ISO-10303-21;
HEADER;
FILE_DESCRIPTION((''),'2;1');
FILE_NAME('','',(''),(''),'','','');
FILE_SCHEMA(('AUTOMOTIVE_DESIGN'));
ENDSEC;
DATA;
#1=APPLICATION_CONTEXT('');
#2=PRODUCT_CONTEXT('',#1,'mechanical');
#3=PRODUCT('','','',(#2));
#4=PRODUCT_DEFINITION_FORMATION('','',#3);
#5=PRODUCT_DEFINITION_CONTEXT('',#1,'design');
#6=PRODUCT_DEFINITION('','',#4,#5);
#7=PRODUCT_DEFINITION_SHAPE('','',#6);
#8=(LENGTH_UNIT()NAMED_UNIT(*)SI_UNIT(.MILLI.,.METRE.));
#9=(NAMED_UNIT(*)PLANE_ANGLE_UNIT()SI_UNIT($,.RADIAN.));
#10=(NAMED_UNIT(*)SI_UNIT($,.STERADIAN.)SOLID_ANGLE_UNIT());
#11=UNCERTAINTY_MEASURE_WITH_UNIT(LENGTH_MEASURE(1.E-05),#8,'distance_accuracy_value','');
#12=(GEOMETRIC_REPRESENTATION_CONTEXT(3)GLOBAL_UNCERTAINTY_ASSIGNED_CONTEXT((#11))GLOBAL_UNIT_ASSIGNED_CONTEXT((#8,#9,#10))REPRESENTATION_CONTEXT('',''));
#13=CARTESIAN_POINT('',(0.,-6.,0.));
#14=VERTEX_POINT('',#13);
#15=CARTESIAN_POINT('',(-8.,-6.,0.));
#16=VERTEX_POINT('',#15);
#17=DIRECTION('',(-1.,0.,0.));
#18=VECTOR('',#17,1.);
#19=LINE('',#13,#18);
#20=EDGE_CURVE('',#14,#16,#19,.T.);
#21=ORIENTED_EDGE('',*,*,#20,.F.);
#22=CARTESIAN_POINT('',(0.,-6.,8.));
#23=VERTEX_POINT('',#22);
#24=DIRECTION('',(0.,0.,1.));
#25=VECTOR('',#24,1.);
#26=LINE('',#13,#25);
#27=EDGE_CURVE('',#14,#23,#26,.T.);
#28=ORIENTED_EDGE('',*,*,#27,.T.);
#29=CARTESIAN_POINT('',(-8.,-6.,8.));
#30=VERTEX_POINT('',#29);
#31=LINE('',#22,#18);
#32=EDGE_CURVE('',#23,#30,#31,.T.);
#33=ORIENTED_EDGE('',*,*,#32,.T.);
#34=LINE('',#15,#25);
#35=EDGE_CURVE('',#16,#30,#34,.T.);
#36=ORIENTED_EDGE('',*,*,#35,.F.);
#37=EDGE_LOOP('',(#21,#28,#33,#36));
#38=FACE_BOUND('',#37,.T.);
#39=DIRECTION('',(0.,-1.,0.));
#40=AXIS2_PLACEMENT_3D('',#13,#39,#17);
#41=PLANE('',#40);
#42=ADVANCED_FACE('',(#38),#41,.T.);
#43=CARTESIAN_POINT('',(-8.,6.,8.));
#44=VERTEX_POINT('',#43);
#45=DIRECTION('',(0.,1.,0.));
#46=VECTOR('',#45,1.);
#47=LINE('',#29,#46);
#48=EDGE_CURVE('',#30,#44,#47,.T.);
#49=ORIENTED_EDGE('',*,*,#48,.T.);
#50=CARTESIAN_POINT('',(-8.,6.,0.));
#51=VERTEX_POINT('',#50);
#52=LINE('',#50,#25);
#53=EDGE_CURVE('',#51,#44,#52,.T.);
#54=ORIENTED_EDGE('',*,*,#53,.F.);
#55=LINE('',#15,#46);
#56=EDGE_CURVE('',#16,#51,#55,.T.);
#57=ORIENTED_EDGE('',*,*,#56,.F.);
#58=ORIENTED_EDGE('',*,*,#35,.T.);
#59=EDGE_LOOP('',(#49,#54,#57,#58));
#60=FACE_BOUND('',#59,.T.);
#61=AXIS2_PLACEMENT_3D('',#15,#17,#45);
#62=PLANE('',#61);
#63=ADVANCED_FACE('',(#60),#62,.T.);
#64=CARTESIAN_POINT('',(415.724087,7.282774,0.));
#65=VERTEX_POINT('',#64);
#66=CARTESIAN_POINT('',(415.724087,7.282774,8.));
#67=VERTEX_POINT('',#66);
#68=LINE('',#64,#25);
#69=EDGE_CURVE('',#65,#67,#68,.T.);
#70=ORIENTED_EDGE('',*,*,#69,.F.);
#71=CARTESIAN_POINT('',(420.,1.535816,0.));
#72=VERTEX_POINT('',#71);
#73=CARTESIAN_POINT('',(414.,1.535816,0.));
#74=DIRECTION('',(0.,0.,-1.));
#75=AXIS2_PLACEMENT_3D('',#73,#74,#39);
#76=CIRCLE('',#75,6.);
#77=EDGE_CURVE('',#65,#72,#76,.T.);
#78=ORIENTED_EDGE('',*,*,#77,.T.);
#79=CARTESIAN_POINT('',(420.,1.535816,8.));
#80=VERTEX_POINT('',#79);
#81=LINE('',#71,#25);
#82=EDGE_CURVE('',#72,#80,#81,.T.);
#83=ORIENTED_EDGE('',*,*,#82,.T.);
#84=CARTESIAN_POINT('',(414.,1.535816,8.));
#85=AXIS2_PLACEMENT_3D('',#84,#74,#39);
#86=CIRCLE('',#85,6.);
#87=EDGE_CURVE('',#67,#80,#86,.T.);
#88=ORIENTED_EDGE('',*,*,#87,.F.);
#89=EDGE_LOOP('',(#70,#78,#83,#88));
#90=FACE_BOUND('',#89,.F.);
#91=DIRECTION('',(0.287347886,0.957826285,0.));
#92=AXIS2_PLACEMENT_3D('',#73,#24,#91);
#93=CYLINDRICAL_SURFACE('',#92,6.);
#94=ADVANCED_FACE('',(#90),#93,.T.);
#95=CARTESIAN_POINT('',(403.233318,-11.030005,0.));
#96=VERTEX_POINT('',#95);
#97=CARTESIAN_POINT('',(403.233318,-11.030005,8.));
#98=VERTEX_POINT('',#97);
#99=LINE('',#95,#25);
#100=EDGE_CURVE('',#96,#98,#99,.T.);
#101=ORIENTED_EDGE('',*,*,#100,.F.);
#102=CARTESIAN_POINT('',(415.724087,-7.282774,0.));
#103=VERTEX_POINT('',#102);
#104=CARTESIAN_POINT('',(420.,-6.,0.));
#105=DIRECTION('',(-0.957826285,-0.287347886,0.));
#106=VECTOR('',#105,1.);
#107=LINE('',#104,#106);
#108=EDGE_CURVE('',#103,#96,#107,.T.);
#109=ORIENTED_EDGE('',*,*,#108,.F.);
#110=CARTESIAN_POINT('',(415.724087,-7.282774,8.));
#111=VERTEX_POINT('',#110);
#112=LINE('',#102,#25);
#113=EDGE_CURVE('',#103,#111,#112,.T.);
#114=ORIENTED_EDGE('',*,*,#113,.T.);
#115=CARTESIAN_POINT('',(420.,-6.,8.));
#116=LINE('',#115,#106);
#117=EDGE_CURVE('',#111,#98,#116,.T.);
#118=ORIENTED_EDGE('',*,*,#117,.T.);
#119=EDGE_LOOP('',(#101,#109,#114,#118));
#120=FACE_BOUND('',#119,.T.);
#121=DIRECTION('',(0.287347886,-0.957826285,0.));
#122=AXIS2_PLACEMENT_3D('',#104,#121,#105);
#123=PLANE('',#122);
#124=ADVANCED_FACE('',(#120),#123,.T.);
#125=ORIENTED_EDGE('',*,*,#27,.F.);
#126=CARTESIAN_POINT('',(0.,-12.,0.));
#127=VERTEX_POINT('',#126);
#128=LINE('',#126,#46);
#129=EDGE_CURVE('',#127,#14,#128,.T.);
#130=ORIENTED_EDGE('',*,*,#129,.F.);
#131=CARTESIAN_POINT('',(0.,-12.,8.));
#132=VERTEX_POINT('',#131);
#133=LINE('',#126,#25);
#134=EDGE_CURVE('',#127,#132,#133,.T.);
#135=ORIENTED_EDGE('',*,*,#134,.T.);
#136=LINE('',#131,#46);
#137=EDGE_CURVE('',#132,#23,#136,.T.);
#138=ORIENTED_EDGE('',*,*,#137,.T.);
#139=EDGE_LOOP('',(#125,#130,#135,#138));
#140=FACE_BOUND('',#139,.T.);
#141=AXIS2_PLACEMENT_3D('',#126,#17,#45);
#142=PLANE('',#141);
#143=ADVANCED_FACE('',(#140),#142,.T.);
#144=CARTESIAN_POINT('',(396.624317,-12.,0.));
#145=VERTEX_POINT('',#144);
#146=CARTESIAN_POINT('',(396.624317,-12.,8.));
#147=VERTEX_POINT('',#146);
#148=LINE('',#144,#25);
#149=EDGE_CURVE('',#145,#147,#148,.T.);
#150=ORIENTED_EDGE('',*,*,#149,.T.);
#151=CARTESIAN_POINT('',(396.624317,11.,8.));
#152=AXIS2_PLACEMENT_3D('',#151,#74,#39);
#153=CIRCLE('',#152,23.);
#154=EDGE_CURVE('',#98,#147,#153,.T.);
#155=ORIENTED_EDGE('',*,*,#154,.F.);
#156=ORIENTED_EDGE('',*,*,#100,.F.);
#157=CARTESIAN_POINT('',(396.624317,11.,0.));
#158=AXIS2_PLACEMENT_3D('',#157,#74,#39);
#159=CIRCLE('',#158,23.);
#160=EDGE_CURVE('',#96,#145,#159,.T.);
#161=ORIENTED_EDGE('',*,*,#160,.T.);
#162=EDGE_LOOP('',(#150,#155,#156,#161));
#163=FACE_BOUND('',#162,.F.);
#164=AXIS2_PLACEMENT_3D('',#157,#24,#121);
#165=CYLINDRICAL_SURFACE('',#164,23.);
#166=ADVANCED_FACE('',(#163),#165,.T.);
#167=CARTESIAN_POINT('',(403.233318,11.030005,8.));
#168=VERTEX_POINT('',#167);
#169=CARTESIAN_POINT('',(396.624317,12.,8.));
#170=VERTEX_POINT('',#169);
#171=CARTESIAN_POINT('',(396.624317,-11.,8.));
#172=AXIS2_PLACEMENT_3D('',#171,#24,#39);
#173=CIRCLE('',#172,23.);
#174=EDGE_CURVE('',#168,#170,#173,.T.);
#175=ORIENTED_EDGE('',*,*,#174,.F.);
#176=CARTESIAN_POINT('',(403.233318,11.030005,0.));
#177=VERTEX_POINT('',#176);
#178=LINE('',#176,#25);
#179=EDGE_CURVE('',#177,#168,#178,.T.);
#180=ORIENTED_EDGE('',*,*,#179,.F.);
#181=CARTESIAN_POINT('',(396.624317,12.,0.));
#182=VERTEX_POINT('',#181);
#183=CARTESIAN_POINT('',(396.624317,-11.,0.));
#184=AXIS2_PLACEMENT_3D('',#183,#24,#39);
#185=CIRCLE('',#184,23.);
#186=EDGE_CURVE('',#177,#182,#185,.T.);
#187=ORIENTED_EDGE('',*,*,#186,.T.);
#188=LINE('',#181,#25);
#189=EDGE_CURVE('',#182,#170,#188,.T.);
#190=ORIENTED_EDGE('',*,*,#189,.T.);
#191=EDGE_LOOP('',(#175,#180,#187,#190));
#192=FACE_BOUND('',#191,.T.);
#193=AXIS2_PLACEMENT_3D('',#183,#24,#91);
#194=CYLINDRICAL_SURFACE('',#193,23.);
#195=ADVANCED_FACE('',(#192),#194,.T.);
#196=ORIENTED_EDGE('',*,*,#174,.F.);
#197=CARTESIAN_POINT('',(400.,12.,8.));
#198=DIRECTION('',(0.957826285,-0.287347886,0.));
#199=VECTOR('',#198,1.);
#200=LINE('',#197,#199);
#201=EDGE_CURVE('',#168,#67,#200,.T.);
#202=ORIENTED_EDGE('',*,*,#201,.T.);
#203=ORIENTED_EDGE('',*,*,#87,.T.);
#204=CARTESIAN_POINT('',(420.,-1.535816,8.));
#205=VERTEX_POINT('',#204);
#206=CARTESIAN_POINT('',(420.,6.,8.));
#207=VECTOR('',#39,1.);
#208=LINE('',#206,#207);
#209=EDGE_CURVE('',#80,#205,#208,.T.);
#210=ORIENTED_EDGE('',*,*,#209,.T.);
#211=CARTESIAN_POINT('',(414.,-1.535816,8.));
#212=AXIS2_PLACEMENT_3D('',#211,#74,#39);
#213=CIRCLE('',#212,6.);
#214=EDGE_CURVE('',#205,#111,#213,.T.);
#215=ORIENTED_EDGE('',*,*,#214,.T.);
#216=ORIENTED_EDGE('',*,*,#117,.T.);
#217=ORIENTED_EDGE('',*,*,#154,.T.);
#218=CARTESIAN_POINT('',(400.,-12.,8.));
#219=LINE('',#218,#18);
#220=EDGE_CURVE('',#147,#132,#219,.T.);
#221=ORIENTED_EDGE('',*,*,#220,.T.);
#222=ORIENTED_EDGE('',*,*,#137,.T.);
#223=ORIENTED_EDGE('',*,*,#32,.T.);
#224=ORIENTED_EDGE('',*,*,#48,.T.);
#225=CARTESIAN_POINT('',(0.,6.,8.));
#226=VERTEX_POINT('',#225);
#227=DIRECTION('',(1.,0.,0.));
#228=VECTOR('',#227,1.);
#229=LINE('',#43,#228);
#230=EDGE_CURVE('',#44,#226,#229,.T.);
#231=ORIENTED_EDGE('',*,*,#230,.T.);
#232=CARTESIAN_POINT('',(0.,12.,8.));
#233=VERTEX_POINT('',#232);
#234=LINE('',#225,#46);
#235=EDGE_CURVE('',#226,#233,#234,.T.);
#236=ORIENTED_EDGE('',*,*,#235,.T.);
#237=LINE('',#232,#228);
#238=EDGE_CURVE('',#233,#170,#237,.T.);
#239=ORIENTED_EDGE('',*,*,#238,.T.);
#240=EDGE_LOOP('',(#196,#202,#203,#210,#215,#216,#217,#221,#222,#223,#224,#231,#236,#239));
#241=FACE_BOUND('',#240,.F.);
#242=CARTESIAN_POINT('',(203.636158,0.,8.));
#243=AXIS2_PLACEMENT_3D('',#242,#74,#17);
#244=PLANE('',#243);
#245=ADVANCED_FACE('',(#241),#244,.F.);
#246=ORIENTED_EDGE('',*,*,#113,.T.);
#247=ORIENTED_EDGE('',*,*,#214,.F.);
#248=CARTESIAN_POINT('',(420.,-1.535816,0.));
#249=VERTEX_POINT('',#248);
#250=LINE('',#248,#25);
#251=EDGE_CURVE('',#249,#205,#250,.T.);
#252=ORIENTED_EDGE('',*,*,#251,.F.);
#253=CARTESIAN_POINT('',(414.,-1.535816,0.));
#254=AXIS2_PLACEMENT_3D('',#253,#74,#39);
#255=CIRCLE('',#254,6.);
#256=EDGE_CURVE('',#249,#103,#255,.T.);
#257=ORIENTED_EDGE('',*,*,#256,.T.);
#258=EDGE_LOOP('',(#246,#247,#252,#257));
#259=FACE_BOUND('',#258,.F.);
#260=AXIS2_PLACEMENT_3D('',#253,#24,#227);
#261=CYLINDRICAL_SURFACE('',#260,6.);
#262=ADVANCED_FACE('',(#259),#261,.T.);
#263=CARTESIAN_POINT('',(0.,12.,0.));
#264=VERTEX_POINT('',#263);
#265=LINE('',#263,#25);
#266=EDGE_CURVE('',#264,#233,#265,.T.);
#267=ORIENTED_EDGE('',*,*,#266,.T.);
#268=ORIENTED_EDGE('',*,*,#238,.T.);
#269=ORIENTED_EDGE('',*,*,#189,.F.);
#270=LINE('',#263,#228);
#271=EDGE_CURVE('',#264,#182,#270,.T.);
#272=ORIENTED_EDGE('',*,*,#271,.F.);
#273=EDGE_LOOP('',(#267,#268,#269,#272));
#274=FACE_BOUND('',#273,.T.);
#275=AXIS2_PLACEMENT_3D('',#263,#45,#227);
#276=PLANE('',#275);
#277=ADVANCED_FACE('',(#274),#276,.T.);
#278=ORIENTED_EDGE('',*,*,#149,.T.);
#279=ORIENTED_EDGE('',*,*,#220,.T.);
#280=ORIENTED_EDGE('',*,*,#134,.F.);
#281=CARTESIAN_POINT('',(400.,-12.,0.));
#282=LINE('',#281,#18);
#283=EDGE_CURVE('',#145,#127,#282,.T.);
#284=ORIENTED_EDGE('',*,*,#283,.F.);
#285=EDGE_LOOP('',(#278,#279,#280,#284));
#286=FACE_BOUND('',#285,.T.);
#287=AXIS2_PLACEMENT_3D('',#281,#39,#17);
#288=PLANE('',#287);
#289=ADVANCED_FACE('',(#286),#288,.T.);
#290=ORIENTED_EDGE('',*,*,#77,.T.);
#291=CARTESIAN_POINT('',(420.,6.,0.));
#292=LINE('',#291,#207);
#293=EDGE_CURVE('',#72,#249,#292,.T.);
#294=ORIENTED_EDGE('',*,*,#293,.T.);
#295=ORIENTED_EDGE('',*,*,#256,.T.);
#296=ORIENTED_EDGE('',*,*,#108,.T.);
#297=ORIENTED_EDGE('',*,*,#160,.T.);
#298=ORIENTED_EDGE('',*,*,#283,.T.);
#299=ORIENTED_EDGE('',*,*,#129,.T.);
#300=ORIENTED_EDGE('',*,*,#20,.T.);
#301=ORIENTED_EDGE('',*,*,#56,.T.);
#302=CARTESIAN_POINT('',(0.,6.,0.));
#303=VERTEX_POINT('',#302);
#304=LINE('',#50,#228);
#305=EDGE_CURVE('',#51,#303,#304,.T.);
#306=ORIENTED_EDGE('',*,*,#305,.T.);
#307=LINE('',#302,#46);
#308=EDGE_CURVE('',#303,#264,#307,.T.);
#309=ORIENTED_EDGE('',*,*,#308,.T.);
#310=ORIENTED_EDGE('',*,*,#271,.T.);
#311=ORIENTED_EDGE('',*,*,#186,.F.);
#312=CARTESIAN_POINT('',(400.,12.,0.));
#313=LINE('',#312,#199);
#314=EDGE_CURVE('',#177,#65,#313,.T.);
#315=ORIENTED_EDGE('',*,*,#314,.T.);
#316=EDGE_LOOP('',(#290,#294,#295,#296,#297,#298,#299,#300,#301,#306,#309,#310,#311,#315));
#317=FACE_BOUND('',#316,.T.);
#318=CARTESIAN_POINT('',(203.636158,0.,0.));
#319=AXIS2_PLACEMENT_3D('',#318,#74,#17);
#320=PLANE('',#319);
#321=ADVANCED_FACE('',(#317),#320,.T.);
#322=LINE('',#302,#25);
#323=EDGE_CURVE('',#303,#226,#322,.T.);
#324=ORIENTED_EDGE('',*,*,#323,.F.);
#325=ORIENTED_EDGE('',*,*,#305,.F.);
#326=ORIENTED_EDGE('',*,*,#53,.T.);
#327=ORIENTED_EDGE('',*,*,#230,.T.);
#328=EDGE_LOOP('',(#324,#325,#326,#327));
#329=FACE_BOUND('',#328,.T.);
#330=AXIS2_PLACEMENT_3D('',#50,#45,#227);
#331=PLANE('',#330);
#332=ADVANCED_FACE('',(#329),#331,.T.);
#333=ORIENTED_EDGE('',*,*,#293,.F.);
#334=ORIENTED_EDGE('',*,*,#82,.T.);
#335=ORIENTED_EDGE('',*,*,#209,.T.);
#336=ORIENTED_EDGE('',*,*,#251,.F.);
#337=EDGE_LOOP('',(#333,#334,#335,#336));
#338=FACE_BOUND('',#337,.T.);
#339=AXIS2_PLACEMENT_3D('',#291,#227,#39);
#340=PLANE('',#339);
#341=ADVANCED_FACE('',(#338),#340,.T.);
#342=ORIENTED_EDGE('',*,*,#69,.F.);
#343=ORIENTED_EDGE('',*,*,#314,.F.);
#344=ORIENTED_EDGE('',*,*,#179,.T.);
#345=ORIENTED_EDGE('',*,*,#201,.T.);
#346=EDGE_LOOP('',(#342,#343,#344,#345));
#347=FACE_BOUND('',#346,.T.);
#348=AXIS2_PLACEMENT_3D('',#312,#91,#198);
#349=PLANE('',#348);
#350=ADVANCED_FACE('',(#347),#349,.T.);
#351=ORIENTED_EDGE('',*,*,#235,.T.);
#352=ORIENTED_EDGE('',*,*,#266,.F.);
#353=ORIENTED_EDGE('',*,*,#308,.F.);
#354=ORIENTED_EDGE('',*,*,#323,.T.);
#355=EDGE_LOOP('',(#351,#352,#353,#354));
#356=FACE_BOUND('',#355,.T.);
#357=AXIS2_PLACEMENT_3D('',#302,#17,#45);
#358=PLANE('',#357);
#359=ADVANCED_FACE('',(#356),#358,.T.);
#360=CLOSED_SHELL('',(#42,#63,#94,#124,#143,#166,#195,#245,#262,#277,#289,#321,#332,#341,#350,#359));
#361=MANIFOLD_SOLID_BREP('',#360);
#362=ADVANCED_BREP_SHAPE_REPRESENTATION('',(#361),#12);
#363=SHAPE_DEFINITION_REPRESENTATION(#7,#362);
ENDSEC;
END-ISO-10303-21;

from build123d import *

# Parameters (mm, degrees)
PAD_DEPTH   = 8
FILLET_R    = 6
FILLET001_R = 23


with BuildPart() as part:
    # Sketch → Pad (new body)
    with BuildSketch(Plane.XY):
        Polygon((-8, 6), (0, 6), (0, 12), (400, 12), (420, 6), (420, -6), (400, -12), (0, -12), (0, -6), (-8, -6), align=None)
    extrude(amount=PAD_DEPTH)

    # Fillet
    fillet_edges = [part.edges().sort_by_distance(p)[0] for p in [
        (420, -6, 4),
        (420, 6, 4),
    ]]
    fillet(fillet_edges, radius=FILLET_R)

    # Fillet001
    fillet001_edges = [part.edges().sort_by_distance(p)[0] for p in [
        (400, 12, 4),
        (400, -12, 4),
    ]]
    fillet(fillet001_edges, radius=FILLET001_R)


solid = part.part
